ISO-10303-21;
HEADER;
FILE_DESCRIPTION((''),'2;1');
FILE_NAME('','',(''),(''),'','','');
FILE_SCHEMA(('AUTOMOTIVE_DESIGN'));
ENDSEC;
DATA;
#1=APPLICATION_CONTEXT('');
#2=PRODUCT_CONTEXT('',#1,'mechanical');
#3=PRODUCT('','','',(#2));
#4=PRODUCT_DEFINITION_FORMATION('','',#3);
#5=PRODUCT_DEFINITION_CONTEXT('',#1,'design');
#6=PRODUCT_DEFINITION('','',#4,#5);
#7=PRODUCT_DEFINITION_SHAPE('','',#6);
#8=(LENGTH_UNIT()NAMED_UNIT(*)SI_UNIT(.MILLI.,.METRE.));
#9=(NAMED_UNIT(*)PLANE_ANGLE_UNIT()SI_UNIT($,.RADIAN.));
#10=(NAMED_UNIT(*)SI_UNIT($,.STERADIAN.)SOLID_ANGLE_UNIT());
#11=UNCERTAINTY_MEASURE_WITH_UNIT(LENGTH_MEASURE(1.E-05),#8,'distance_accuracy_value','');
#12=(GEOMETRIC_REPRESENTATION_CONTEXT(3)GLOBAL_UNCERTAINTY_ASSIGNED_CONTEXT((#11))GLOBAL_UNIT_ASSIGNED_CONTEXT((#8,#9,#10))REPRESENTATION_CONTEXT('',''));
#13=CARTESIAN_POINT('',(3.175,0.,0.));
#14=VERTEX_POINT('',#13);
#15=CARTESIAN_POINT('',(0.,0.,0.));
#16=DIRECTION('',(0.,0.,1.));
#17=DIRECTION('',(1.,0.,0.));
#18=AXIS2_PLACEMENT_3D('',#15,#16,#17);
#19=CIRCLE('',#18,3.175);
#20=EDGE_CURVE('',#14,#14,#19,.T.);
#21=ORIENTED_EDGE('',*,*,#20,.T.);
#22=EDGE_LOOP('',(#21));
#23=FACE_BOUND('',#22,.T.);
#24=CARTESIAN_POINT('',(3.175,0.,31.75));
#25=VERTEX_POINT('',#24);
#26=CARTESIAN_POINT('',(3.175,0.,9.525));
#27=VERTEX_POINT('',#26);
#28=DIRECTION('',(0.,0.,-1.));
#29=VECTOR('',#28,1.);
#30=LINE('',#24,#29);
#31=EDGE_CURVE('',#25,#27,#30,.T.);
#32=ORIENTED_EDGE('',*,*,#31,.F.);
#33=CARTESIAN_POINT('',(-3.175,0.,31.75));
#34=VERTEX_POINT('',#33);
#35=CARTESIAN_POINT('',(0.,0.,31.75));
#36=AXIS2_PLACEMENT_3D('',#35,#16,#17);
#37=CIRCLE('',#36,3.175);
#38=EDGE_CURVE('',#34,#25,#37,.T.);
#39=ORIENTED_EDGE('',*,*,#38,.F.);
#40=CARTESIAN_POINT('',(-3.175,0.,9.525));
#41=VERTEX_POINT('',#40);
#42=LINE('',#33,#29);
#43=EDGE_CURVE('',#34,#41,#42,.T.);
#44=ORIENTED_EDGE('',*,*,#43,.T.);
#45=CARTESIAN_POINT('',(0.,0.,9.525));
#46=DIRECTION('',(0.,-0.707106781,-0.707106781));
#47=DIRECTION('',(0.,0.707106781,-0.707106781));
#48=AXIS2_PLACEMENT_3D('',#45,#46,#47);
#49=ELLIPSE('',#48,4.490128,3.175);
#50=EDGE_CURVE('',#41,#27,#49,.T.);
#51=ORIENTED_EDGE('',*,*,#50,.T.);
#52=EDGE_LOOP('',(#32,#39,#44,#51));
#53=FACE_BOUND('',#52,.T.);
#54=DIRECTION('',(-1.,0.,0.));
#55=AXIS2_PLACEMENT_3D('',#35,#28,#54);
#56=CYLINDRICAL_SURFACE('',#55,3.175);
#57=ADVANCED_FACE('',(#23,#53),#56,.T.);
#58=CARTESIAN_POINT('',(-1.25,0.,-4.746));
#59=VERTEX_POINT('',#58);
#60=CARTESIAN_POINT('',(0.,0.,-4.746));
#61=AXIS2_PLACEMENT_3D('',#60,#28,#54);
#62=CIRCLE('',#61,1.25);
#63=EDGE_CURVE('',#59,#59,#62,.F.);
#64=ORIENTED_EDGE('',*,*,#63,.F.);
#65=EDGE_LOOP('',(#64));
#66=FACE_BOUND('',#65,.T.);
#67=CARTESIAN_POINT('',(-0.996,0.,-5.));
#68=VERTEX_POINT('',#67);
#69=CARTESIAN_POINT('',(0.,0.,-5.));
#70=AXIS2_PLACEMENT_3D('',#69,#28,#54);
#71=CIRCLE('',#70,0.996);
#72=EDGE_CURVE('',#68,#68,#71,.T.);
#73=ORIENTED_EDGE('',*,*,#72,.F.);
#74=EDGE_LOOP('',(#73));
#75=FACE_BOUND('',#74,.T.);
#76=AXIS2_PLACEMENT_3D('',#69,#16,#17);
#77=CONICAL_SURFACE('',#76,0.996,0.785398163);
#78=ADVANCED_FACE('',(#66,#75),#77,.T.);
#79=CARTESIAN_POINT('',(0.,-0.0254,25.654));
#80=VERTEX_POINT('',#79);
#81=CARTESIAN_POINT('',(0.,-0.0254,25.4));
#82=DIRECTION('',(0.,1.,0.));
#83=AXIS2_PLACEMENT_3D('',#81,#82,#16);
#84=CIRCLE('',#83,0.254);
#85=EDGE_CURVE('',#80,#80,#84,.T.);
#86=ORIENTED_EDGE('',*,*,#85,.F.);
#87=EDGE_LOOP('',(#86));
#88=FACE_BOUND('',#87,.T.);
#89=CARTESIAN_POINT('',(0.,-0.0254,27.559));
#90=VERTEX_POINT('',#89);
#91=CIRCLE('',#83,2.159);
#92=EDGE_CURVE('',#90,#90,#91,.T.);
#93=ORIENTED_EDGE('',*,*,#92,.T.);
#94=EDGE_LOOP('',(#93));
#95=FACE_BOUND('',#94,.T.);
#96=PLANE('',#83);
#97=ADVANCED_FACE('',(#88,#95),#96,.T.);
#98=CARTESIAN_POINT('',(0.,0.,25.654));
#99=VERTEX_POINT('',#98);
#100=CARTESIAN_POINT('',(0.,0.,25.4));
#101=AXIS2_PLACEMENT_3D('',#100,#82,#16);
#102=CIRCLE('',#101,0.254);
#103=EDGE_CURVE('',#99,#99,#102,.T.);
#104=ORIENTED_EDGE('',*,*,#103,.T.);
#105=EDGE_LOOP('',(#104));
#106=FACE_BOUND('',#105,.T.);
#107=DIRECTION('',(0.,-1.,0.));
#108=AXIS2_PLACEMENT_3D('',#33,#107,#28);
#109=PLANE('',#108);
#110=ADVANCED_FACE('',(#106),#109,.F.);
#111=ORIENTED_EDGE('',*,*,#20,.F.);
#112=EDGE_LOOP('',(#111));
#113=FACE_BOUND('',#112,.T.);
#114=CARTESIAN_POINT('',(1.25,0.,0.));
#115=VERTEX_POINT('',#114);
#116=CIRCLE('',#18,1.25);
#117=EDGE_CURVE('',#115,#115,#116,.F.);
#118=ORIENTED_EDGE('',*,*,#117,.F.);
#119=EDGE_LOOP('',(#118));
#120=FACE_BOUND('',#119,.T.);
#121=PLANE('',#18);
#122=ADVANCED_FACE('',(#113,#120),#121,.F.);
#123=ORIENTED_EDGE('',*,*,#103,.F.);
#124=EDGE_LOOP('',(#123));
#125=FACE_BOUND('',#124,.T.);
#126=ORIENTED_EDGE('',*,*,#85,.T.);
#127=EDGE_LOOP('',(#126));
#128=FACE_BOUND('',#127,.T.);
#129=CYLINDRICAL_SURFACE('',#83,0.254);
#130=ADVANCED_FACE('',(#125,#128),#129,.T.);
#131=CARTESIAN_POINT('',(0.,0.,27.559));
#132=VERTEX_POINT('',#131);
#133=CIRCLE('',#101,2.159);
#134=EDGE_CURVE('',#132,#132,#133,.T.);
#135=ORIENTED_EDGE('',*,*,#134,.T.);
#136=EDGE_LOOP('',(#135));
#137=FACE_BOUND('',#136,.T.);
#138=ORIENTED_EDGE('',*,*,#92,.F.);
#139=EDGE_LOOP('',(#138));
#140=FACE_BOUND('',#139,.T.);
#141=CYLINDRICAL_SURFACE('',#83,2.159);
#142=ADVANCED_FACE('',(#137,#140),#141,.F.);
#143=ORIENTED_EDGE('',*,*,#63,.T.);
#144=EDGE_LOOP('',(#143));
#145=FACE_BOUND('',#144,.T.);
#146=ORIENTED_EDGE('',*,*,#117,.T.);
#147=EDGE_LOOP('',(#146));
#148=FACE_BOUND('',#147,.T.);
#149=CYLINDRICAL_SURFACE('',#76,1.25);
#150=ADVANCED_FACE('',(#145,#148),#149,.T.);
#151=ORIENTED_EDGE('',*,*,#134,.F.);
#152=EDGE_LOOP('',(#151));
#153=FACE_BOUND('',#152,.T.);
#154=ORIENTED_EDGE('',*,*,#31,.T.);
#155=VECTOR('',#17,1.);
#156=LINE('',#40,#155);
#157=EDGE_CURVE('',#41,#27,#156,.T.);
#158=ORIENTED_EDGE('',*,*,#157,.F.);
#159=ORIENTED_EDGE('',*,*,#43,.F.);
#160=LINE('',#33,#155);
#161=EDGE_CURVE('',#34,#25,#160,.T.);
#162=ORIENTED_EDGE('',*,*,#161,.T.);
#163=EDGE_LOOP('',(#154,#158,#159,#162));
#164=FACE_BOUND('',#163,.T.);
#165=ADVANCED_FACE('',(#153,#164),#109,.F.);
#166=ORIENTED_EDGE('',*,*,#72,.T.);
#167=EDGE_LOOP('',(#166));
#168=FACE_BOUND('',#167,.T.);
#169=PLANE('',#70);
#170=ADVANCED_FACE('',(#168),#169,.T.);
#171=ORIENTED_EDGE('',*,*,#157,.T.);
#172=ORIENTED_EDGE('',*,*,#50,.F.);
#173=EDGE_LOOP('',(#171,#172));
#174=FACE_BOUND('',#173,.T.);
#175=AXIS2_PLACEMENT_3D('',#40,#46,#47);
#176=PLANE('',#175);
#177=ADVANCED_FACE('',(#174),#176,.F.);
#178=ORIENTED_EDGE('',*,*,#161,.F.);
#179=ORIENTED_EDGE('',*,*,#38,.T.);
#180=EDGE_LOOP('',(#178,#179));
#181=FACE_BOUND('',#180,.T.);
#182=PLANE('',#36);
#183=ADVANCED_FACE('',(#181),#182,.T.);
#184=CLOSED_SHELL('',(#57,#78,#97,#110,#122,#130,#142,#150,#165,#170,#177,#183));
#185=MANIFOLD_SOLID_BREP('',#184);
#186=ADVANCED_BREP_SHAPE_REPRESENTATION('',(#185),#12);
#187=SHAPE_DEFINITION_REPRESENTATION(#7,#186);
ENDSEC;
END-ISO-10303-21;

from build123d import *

# Parameters (mm, degrees)
SKETCH1_R           = 3.175
EXTRUDE1_DEPTH      = 31.75
SKETCH2_R           = 1.25
EXTRUDE2_DEPTH      = 5
CHAMFER1_SIZE       = 0.254
EXTRUDE3_DEPTH      = 4.175
EXTRUDE3_DEPTH_BACK = 4.175
SKETCH4_R           = 2.159
SKETCH4_R_2         = 0.254
EXTRUDE4_DEPTH      = 0.0254


with BuildPart() as part:
    # Sketch1 → Extrude1 (new body)
    with BuildSketch(Plane.XY):
        Circle(SKETCH1_R)
    extrude(amount=EXTRUDE1_DEPTH)

    # Sketch2 → Extrude2 (add)
    with BuildSketch(Plane(origin=(0, 0, 0), x_dir=(-1, 0, 0), z_dir=(0, 0, -1))):
        with Locations(Location((0, 0, 0), (0, 0, 180))):  # turned: the seam where the file's is
            Circle(SKETCH2_R)
    extrude(amount=EXTRUDE2_DEPTH)

    # Chamfer1
    chamfer1_edges = [part.edges().sort_by_distance(p)[0] for p in [
        (-1.25, 0, -5),
    ]]
    chamfer(chamfer1_edges, length=CHAMFER1_SIZE)

    # Sketch3 → Extrude3 (cut, two sides)
    with BuildSketch(Plane(origin=(0, 0, 0), x_dir=(0, 0, -1), z_dir=(1, 0, 0))) as extrude3_sk:
        Polygon((-31.75, 0), (-9.525, 0), (-6.35, 3.175), (-31.75, 3.175), align=None)
    extrude(amount=EXTRUDE3_DEPTH, mode=Mode.SUBTRACT)
    extrude(extrude3_sk.sketch, amount=-EXTRUDE3_DEPTH_BACK, mode=Mode.SUBTRACT)

    # Sketch4 → Extrude4 (cut)
    with BuildSketch(Plane(origin=(0, 0, 0), x_dir=(1, 0, 0), z_dir=(0, 1, 0))):
        with Locations(Location((0, -25.4, 0), (0, 0, 270))):  # turned: the seam where the file's is
            Circle(SKETCH4_R)
        with Locations(Location((0, -25.4, 0), (0, 0, 270))):  # turned: the seam where the file's is
            Circle(SKETCH4_R_2, mode=Mode.SUBTRACT)
    extrude(amount=-EXTRUDE4_DEPTH, mode=Mode.SUBTRACT)


solid = part.part
